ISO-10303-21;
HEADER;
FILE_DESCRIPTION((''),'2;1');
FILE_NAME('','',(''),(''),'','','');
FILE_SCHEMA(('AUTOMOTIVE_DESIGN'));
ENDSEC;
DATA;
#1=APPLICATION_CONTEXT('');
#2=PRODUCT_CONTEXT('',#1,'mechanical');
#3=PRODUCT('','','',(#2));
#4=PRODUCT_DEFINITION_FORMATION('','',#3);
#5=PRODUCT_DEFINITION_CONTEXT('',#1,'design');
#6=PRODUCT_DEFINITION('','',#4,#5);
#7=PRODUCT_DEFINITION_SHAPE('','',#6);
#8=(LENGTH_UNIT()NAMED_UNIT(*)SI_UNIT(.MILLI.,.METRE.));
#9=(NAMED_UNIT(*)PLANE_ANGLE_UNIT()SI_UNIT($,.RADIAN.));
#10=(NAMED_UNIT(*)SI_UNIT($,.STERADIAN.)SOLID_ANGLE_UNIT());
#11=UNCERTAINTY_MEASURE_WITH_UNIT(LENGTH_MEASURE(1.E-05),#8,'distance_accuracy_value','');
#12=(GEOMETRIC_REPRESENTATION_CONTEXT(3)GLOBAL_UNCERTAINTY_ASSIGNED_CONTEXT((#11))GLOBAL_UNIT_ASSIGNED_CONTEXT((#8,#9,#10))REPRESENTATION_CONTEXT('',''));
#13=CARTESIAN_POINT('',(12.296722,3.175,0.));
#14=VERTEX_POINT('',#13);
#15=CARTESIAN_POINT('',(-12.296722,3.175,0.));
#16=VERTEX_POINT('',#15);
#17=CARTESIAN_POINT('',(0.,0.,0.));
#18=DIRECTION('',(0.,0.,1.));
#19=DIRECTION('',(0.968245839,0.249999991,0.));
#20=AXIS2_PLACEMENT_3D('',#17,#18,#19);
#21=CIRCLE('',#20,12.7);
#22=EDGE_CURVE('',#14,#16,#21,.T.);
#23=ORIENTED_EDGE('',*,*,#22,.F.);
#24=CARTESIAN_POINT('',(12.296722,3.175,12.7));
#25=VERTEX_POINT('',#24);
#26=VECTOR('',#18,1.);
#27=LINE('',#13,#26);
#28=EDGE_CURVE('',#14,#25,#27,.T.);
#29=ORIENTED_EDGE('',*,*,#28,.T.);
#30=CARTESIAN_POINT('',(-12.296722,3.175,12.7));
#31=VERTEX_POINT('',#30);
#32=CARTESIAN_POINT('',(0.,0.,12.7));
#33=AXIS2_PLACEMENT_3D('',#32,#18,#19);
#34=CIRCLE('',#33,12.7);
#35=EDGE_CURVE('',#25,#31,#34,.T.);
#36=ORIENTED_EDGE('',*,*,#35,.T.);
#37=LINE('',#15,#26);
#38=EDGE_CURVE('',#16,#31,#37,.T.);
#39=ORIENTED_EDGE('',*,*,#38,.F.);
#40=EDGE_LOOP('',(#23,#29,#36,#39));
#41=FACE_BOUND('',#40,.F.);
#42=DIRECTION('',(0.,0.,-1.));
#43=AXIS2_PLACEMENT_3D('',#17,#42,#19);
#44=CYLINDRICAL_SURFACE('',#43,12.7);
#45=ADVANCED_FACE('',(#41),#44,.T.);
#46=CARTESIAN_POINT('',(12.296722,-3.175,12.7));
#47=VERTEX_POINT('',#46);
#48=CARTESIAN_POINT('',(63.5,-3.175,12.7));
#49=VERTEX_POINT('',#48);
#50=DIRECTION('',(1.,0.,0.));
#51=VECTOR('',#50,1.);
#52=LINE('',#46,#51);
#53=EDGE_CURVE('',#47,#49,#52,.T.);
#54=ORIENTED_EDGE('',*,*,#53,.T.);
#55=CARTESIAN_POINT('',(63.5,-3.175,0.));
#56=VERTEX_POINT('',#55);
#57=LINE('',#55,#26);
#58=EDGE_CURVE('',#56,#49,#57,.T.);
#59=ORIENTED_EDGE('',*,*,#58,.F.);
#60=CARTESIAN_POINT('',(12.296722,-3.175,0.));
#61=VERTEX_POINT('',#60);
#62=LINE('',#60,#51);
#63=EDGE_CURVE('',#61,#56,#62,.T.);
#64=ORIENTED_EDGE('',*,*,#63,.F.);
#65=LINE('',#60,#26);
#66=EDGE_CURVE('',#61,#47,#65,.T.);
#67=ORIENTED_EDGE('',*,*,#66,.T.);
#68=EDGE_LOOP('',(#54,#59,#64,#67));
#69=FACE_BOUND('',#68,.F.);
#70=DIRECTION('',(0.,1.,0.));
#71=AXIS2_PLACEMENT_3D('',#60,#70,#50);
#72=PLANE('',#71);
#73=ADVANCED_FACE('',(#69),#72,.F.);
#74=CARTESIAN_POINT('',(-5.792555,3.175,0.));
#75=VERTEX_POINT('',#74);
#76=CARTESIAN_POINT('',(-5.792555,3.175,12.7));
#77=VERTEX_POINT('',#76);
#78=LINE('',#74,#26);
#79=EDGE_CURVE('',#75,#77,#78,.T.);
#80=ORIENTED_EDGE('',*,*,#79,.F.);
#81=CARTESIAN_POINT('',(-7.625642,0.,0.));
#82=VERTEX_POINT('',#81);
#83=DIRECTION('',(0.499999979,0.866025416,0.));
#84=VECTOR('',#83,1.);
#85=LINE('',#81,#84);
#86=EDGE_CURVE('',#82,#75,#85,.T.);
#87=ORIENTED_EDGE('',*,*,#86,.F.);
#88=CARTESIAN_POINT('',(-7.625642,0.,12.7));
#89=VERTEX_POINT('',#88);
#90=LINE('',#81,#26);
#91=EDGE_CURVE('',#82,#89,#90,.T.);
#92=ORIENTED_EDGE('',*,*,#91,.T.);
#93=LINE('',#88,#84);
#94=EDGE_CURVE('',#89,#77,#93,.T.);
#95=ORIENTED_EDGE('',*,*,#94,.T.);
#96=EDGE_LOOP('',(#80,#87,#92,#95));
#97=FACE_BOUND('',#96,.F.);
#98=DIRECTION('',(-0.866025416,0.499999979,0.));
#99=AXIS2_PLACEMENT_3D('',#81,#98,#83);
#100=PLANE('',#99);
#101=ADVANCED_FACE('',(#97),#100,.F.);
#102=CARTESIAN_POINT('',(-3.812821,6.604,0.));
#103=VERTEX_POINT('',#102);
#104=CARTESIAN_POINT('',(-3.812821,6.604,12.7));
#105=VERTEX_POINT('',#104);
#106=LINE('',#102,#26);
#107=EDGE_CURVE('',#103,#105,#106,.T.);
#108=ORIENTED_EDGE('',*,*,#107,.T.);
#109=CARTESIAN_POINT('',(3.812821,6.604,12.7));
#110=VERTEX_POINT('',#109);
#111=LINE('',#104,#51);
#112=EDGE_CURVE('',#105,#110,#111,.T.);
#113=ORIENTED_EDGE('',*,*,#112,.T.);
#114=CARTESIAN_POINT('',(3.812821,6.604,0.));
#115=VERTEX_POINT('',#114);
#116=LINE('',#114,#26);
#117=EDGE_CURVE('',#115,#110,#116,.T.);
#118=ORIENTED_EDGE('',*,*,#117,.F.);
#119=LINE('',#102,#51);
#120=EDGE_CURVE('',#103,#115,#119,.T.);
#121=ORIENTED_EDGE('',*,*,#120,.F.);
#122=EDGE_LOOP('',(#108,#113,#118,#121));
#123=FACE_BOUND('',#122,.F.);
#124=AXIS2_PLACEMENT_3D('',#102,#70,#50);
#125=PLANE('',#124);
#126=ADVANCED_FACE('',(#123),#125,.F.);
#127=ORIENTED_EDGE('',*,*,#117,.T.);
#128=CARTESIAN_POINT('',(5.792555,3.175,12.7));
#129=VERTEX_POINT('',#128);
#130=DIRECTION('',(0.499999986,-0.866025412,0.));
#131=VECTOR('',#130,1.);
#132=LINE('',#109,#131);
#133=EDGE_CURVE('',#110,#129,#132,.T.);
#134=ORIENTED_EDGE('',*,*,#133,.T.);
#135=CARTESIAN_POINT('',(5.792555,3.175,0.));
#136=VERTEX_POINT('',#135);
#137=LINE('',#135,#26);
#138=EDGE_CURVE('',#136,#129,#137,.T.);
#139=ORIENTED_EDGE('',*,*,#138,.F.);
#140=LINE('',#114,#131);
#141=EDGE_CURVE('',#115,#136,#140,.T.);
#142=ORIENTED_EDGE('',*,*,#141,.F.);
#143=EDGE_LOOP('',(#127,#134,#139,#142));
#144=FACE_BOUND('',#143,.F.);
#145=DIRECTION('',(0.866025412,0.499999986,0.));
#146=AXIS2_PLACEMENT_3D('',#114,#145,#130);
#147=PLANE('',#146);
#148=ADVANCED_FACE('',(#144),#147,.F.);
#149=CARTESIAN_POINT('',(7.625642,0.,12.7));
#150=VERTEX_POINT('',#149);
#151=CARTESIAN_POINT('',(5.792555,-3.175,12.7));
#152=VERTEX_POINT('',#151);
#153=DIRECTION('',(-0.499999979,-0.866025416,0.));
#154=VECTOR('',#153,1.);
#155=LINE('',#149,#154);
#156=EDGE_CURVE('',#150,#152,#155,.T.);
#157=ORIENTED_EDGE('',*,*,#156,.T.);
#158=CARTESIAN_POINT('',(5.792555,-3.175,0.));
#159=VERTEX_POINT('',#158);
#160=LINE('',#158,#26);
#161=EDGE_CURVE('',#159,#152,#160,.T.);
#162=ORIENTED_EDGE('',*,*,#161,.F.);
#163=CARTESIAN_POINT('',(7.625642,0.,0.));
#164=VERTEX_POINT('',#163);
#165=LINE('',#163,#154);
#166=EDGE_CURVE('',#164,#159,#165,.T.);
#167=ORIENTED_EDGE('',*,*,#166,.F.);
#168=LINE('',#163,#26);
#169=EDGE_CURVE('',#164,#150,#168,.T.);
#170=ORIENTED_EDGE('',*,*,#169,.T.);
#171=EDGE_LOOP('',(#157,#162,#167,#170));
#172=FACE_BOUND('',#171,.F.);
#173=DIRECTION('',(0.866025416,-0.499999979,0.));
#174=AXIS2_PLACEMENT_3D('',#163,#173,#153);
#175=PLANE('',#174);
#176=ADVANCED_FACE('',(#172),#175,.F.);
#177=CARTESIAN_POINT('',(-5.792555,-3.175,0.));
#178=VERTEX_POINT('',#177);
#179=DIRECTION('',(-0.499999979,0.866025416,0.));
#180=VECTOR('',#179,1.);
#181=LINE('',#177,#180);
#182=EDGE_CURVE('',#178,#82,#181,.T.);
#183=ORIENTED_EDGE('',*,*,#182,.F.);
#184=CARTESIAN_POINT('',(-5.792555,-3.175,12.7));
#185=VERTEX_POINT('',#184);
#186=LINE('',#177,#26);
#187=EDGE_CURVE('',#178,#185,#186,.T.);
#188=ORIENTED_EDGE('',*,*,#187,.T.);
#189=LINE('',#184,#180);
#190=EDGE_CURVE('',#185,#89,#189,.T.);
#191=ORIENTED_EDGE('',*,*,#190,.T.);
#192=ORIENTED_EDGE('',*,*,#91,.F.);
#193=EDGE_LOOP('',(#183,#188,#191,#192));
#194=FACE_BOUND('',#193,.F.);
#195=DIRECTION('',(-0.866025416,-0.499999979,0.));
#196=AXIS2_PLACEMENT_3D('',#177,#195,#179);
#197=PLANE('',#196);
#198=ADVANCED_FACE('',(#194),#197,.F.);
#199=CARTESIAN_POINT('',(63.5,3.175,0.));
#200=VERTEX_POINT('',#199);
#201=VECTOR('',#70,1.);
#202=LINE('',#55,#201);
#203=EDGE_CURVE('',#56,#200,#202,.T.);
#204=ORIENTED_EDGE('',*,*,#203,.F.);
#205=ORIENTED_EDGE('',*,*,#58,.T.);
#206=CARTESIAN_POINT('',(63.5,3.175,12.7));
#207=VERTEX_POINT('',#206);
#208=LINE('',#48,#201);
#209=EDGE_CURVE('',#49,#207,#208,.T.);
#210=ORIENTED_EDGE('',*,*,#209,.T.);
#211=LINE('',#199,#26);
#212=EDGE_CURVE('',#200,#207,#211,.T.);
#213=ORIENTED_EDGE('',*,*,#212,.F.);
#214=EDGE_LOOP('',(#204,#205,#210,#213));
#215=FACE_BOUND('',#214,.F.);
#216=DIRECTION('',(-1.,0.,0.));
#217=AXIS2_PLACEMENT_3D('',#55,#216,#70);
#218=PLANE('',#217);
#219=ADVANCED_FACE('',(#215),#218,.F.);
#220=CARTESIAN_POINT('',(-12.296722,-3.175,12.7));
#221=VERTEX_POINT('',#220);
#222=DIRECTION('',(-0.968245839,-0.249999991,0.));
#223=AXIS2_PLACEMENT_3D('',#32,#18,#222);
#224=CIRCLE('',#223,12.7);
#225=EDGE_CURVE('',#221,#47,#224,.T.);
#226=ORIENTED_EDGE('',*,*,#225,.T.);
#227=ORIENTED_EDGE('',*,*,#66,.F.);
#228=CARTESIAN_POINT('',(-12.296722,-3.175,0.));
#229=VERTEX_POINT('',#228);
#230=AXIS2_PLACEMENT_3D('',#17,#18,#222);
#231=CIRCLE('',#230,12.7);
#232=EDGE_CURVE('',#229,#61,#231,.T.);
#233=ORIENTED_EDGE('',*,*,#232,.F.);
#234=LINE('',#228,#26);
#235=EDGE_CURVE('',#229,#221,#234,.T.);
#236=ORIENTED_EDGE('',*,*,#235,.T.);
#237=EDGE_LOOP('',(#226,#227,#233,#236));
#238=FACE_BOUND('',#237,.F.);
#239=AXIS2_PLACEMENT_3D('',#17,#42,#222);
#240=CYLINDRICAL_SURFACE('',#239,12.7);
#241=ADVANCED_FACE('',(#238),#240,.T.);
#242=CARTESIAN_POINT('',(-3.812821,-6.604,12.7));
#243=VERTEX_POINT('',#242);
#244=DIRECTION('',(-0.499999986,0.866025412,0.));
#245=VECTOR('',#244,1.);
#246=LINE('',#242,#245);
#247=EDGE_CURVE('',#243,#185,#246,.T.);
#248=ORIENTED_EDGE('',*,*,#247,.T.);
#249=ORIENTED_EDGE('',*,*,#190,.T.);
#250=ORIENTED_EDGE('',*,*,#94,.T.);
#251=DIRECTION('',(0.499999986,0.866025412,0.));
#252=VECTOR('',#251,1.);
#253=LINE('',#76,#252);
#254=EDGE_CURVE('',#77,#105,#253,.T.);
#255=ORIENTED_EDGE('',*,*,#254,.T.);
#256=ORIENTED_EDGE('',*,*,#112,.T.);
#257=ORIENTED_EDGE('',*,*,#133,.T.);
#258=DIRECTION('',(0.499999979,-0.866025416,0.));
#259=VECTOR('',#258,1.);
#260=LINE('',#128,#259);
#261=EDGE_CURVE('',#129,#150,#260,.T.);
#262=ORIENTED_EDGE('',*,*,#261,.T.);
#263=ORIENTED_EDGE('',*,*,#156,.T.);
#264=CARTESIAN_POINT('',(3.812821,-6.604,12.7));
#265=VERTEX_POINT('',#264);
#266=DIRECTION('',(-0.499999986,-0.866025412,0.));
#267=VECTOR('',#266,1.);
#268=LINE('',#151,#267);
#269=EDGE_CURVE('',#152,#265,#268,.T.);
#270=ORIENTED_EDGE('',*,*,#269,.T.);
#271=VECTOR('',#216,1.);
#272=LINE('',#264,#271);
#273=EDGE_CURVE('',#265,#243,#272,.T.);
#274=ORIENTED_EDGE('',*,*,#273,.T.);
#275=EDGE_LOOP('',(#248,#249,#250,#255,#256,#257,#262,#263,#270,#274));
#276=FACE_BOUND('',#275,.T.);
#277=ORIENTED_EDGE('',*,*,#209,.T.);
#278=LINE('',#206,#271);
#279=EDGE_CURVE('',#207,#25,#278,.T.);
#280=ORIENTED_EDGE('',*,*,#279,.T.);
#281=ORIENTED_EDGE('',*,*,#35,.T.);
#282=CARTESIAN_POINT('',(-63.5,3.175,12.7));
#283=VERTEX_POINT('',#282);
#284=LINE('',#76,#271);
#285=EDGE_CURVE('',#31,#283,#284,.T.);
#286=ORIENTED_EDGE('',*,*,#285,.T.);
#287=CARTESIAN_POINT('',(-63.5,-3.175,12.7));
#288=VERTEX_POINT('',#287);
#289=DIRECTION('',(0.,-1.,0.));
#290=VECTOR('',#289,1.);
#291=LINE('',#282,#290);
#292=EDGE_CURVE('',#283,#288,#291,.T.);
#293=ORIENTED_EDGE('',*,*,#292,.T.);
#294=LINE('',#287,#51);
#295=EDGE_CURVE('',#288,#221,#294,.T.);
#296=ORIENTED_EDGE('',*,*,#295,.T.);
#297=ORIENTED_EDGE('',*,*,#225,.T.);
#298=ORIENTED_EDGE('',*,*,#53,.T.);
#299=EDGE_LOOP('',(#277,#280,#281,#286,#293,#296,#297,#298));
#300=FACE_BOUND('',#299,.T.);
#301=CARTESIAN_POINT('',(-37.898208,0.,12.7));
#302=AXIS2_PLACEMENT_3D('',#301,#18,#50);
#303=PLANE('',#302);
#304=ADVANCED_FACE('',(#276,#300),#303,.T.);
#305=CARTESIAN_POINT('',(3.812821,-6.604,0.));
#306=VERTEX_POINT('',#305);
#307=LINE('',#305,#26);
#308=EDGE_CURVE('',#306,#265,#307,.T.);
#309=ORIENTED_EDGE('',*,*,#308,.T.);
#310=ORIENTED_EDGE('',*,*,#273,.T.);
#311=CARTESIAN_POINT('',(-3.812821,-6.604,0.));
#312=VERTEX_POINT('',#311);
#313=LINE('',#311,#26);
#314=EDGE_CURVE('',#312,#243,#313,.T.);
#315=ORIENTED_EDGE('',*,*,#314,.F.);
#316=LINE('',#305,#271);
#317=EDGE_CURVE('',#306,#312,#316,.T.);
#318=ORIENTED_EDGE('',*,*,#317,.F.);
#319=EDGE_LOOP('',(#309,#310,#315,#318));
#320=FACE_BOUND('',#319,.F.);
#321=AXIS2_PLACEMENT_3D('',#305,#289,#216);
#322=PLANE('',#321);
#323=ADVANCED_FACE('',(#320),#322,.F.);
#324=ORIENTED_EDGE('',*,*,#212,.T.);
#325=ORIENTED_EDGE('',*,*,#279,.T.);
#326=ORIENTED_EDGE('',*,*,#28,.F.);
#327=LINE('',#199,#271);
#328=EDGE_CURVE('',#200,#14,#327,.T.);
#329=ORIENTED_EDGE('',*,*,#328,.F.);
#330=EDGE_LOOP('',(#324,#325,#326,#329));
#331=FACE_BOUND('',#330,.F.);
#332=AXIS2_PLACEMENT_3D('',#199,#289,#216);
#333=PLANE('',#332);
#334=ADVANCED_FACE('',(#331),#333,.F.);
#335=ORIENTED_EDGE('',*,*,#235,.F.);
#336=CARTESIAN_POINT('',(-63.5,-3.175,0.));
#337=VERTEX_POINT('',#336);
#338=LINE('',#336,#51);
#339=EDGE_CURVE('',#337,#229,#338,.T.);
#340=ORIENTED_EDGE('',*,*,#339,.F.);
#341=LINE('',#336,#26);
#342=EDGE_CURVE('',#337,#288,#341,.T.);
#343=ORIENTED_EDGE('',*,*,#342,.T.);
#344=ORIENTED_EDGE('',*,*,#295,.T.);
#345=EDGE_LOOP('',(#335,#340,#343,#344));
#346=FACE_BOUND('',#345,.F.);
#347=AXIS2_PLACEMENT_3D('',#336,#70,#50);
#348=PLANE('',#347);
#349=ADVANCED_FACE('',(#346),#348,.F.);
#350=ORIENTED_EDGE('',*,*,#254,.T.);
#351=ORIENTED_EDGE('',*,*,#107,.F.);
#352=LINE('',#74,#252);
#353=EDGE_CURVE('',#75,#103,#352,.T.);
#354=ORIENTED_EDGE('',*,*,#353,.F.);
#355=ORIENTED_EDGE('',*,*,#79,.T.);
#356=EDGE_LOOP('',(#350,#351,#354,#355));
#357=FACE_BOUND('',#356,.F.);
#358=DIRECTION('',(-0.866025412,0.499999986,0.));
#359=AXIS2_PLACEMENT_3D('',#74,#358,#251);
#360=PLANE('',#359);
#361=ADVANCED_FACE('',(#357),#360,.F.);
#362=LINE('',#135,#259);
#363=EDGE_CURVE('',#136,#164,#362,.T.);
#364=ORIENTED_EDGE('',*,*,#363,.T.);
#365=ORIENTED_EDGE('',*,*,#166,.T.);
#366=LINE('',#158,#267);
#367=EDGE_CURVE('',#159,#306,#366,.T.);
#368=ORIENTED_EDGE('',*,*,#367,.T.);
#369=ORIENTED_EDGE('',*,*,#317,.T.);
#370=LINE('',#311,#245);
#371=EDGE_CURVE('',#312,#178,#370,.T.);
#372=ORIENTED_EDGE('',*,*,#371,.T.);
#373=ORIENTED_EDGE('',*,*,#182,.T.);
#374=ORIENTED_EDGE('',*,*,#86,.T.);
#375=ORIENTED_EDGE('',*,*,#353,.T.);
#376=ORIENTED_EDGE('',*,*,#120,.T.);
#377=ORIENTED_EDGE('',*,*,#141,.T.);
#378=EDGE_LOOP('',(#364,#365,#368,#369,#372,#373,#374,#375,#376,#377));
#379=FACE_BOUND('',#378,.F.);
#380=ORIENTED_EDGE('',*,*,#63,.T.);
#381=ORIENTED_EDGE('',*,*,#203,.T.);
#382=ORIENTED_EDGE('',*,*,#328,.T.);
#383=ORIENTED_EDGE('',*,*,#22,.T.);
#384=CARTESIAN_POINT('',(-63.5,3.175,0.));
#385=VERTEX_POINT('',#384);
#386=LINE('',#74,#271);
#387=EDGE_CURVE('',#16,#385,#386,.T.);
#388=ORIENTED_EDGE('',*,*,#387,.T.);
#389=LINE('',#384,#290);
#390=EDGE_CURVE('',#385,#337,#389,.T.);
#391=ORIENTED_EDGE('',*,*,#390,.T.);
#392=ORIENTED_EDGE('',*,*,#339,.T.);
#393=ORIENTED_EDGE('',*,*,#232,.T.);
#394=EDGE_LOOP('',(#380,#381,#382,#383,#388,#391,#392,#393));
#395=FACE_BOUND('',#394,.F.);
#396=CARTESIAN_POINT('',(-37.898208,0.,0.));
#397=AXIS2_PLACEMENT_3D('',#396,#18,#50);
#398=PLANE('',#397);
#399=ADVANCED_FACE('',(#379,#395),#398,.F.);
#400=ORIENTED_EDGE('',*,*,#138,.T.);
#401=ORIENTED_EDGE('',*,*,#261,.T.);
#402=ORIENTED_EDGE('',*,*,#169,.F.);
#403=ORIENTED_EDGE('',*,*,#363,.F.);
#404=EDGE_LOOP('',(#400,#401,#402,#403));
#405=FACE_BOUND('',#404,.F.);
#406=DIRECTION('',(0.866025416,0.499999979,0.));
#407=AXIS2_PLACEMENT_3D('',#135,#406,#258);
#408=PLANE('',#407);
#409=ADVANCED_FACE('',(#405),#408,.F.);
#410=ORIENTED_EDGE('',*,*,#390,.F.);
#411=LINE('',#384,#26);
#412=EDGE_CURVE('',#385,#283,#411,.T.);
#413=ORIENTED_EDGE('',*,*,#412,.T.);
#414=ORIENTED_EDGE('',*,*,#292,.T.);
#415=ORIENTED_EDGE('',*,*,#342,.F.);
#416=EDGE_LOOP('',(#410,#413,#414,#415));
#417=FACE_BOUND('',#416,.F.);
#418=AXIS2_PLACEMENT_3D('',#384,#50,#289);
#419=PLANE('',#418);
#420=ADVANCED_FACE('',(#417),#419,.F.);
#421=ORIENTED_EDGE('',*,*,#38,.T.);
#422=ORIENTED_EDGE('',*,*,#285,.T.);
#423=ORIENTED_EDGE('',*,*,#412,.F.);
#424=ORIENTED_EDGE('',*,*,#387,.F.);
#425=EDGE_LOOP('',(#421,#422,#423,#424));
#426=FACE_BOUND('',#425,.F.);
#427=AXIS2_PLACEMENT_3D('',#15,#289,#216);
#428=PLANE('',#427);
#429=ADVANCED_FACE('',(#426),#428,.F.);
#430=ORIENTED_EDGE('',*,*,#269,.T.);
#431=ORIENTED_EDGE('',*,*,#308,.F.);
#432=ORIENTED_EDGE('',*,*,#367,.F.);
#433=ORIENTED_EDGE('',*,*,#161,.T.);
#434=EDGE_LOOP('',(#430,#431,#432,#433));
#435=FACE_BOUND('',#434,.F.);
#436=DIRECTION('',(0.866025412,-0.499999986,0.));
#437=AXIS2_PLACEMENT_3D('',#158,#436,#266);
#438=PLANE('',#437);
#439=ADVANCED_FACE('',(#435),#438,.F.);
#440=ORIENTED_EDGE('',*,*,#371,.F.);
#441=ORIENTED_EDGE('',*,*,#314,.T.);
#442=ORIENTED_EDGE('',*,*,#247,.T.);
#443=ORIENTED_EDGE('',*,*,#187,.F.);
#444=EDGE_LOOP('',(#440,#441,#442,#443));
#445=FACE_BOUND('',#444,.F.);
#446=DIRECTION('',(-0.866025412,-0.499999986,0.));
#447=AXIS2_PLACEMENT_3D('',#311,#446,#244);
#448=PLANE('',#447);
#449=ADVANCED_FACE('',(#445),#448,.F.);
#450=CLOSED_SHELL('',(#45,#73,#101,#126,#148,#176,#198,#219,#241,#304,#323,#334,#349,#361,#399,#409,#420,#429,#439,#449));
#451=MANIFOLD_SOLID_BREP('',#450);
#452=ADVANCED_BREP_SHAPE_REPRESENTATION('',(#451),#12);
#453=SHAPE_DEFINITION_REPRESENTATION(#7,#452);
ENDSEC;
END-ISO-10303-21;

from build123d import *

# Parameters (mm, degrees)
F1_DEPTH = 12.7


with BuildPart() as f1:
    # F0 (on Top) → F1 (new body)
    with BuildSketch(Plane.XY):
        with BuildLine():
            ThreePointArc((-12.296722, -3.175), (-12.7, 0), (-12.296722, 3.175))
            Line((-12.296722, 3.175), (-63.5, 3.175))
            Line((-63.5, 3.175), (-63.5, -3.175))
            Line((-63.5, -3.175), (-12.296722, -3.175))
        make_face()
        with BuildLine():
            Line((-7.625642, 0), (-5.792555, 3.175))
            Line((-5.792555, 3.175), (-12.296722, 3.175))
            ThreePointArc((-12.296722, 3.175), (-12.7, 0), (-12.296722, -3.175))
            Line((-12.296722, -3.175), (-5.792555, -3.175))
            Line((-5.792555, -3.175), (-7.625642, 0))
        make_face()
        with BuildLine():
            Line((-3.812821, 6.604), (3.812821, 6.604))
            Line((3.812821, 6.604), (5.792555, 3.175))
            Line((5.792555, 3.175), (12.296722, 3.175))
            ThreePointArc((12.296722, 3.175), (0, 12.7), (-12.296722, 3.175))
            Line((-12.296722, 3.175), (-5.792555, 3.175))
            Line((-5.792555, 3.175), (-3.812821, 6.604))
        make_face()
        with BuildLine():
            Line((12.296722, 3.175), (5.792555, 3.175))
            Line((5.792555, 3.175), (7.625642, 0))
            Line((7.625642, 0), (5.792555, -3.175))
            Line((5.792555, -3.175), (12.296722, -3.175))
            ThreePointArc((12.296722, -3.175), (12.598777, -1.600255), (12.7, 0))
            ThreePointArc((12.7, 0), (12.598777, 1.600255), (12.296722, 3.175))
        make_face()
        with BuildLine():
            Line((12.296722, -3.175), (5.792555, -3.175))
            Line((5.792555, -3.175), (3.812821, -6.604))
            Line((3.812821, -6.604), (-3.812821, -6.604))
            Line((-3.812821, -6.604), (-5.792555, -3.175))
            Line((-5.792555, -3.175), (-12.296722, -3.175))
            ThreePointArc((-12.296722, -3.175), (0, -12.7), (12.296722, -3.175))
        make_face()
        with BuildLine():
            Line((63.5, 3.175), (12.296722, 3.175))
            ThreePointArc((12.296722, 3.175), (12.598777, 1.600255), (12.7, 0))
            ThreePointArc((12.7, 0), (12.598777, -1.600255), (12.296722, -3.175))
            Line((12.296722, -3.175), (63.5, -3.175))
            Line((63.5, -3.175), (63.5, 3.175))
        make_face()
    extrude(amount=F1_DEPTH)


solid = f1.part
